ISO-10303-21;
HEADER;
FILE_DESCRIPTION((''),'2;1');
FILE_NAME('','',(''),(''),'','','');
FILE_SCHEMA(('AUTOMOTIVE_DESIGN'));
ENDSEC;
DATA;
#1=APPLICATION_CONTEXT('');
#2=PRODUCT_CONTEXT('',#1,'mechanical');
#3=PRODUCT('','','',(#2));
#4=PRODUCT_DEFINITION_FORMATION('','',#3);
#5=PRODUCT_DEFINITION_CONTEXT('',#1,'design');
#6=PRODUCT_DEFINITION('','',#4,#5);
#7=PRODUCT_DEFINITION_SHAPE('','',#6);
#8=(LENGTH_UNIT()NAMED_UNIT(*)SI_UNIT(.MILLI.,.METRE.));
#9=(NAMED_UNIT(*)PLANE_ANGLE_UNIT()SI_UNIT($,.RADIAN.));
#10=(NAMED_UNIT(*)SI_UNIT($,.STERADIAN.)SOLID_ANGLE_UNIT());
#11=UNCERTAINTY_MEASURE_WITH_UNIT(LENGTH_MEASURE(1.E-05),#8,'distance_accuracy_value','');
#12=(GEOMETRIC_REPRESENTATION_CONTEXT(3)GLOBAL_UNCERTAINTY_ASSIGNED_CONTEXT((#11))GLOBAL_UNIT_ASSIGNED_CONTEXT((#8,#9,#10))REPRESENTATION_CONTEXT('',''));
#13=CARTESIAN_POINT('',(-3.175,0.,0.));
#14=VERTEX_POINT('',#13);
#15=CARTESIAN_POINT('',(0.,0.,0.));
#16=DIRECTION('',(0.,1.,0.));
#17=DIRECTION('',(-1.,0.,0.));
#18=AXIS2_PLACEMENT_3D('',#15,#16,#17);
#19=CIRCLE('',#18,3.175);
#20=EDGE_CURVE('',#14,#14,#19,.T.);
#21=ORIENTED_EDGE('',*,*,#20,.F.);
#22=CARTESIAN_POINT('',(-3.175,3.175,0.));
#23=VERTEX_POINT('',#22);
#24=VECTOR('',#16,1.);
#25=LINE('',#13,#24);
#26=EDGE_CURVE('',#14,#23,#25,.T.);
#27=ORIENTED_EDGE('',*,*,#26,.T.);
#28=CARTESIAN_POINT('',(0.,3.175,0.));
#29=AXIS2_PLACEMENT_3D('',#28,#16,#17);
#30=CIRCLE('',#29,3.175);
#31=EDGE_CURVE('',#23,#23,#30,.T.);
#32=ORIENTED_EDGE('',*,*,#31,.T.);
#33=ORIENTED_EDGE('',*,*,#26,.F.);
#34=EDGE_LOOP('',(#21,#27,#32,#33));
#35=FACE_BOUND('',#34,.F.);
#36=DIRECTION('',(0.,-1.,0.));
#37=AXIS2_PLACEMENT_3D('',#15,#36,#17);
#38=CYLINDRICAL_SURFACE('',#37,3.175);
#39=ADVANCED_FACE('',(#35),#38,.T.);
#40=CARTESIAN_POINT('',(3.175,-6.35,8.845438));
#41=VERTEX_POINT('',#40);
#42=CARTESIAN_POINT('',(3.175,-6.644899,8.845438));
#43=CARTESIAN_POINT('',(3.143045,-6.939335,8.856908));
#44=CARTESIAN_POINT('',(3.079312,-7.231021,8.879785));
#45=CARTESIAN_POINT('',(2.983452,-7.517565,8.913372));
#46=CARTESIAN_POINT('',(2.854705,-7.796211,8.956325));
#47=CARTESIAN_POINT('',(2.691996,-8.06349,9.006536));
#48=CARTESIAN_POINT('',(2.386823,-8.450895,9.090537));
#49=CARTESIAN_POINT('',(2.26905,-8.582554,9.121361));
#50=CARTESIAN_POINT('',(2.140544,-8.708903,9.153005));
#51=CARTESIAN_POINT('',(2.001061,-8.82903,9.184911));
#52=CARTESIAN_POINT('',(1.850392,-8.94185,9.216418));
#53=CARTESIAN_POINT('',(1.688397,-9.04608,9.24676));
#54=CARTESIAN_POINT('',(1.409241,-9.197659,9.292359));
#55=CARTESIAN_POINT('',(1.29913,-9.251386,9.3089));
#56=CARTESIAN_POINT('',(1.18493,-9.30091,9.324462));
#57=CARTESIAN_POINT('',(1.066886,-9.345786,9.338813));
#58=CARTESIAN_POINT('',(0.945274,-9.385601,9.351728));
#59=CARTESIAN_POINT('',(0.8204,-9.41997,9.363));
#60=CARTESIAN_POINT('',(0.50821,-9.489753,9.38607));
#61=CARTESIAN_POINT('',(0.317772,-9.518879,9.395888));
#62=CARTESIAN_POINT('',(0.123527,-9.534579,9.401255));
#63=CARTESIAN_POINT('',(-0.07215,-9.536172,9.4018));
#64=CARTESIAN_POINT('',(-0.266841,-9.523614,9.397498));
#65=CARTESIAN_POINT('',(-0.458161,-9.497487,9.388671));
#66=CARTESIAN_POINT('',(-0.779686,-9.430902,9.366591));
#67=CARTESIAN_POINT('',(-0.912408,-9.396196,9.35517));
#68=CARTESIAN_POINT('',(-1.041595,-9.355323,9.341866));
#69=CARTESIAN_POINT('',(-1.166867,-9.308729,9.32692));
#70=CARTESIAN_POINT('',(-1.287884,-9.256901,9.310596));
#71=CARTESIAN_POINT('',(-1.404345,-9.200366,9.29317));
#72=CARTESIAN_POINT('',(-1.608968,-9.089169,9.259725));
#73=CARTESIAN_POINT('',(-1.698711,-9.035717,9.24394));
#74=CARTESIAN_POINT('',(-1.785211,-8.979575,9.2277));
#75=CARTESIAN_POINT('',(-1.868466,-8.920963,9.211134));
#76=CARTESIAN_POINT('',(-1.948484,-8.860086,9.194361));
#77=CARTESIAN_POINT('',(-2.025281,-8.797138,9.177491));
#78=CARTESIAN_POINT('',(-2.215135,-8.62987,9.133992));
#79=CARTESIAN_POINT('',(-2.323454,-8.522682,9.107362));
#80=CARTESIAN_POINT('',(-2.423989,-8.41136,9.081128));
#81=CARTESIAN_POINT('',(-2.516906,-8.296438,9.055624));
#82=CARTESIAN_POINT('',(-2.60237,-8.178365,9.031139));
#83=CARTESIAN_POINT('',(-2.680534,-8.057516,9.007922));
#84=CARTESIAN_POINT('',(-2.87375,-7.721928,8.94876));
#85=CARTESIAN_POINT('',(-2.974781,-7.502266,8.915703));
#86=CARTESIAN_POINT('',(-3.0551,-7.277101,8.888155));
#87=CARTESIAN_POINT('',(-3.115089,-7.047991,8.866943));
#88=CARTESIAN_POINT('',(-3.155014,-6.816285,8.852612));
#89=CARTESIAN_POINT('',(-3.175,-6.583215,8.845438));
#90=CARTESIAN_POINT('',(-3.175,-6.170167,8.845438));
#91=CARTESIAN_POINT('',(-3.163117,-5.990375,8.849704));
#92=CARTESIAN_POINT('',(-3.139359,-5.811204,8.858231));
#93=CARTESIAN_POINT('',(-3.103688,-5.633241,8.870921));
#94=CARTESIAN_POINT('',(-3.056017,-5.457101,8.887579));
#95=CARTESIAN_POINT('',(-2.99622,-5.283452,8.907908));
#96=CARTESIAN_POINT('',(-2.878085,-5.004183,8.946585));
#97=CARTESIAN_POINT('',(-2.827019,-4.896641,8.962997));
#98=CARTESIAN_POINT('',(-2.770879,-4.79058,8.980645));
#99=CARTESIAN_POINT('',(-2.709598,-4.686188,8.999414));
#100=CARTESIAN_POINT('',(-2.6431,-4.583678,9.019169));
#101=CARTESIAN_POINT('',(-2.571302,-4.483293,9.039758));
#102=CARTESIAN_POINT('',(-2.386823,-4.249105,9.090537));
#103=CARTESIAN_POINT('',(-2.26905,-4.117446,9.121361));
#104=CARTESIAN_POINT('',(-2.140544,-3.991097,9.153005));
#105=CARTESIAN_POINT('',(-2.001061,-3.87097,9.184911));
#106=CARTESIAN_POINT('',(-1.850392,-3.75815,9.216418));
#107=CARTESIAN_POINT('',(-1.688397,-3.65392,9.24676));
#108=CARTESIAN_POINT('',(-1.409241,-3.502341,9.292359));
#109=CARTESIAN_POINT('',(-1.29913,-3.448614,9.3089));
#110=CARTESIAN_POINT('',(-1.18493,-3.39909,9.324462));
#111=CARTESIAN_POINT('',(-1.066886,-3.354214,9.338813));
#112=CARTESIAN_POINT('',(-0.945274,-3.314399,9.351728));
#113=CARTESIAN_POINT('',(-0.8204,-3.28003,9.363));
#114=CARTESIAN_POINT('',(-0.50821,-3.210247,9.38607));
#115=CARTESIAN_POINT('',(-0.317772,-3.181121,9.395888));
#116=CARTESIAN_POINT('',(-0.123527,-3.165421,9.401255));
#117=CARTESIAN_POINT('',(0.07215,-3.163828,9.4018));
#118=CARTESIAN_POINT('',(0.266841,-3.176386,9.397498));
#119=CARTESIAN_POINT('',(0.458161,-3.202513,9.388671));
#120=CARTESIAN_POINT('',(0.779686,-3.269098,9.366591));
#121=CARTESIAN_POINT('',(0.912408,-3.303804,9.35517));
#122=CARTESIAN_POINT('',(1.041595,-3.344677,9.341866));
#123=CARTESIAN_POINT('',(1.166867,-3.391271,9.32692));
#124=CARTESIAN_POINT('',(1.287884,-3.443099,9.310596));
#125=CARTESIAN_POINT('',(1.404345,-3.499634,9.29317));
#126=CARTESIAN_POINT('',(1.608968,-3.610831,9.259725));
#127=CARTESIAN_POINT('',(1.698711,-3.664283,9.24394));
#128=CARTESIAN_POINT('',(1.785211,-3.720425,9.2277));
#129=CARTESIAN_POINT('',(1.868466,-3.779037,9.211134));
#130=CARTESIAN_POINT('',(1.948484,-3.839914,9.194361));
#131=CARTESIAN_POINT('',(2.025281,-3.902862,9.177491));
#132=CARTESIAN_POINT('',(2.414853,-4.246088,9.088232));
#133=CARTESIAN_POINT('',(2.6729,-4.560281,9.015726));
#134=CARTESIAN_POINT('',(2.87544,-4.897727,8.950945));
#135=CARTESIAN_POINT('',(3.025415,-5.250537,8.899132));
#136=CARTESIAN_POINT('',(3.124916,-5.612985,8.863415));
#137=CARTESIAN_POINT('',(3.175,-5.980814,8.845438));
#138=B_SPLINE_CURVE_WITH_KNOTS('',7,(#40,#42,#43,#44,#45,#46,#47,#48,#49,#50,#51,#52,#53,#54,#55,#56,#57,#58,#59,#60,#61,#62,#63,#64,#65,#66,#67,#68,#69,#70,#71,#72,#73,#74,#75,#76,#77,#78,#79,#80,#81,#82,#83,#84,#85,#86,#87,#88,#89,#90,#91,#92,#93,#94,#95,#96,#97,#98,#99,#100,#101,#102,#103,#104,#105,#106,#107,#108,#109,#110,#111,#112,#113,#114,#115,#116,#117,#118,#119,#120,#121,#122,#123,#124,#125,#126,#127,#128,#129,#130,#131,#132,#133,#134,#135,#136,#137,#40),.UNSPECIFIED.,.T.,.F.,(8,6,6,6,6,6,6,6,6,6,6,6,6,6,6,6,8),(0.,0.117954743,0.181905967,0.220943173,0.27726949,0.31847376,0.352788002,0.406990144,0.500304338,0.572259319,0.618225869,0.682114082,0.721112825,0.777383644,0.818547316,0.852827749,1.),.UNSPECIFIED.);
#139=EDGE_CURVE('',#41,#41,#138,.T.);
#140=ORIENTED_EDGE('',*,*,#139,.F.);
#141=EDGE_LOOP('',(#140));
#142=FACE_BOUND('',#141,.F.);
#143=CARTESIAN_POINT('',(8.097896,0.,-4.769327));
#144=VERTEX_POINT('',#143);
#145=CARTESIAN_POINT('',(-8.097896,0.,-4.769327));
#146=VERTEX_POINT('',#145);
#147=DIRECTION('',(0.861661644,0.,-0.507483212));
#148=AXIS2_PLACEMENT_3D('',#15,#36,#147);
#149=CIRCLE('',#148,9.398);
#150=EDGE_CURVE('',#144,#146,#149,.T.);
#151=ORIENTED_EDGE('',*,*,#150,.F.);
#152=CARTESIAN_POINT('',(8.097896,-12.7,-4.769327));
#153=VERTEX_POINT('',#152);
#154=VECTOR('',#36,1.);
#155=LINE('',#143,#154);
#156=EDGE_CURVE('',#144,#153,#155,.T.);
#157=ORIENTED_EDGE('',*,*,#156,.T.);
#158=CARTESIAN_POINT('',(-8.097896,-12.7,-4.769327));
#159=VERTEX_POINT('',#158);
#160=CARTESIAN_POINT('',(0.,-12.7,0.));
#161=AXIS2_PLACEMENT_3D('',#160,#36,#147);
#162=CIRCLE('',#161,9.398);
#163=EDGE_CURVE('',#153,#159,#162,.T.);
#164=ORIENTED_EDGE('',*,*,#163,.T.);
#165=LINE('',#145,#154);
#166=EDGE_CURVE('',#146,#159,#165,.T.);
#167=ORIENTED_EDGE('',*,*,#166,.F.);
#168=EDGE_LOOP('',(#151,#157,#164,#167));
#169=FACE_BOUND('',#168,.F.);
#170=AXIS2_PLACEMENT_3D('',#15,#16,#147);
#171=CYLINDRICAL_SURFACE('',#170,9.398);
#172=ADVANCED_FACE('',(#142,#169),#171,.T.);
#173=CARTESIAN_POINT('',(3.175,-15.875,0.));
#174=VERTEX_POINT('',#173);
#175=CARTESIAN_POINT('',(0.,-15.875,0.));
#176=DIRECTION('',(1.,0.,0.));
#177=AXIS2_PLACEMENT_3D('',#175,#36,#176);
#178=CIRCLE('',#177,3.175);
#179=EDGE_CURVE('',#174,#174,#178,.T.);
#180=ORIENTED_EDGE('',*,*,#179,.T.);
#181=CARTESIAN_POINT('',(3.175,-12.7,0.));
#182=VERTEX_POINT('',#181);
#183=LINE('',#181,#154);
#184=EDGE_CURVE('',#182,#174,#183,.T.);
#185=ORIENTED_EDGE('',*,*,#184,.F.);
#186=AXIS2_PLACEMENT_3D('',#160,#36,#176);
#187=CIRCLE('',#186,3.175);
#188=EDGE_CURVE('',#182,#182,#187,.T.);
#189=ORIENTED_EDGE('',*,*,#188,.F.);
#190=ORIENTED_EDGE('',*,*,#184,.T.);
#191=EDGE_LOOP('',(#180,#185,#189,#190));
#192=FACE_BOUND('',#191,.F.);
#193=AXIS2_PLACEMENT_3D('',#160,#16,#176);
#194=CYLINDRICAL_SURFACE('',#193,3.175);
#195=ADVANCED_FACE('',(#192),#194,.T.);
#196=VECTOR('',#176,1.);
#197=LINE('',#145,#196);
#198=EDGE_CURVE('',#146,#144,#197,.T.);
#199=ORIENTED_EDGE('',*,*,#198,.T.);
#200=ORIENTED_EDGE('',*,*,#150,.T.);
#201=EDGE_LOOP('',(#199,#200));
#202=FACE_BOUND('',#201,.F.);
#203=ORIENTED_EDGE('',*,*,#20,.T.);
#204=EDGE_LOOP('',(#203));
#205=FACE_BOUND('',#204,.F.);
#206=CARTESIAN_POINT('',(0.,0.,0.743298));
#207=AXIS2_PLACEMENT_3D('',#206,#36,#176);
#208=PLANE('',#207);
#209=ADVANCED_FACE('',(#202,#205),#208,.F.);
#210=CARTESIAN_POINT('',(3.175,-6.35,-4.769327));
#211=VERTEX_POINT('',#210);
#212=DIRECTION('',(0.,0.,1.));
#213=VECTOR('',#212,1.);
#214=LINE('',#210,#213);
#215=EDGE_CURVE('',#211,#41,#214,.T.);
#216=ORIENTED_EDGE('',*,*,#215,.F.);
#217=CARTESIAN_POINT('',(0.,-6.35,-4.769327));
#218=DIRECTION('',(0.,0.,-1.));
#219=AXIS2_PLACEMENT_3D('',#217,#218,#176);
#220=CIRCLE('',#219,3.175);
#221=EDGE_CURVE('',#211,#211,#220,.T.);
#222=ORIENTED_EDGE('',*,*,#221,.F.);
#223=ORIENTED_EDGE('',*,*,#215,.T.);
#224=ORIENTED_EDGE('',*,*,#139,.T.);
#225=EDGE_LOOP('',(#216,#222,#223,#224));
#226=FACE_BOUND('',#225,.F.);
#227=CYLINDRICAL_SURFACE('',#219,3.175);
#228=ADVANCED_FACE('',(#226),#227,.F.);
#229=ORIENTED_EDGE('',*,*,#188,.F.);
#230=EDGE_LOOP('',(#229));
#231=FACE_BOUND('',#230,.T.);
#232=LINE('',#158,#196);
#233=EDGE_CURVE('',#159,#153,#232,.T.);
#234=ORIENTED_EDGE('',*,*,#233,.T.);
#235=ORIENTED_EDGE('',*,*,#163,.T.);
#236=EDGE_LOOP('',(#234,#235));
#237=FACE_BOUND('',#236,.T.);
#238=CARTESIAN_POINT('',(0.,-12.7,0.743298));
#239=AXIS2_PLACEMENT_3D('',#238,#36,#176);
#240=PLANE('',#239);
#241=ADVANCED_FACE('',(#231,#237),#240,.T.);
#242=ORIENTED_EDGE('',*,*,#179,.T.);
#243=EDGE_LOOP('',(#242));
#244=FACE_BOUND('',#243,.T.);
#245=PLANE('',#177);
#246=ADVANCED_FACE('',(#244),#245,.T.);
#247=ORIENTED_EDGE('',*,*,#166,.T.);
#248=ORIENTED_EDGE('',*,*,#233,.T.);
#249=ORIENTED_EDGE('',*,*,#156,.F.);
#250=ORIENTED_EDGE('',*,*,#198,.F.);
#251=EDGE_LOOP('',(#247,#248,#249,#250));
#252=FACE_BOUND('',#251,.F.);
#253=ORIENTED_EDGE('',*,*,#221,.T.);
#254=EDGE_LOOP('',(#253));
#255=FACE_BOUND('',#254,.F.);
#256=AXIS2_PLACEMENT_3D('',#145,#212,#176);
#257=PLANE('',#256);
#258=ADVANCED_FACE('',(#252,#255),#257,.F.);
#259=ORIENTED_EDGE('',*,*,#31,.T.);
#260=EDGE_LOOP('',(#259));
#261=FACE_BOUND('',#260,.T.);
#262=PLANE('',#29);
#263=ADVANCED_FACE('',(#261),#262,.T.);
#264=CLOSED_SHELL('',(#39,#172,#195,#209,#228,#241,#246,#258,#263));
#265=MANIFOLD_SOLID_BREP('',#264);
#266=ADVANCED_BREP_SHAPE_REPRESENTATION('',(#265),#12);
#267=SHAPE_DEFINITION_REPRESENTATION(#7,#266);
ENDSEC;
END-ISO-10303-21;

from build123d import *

# Parameters (mm, degrees)
F1_DEPTH      = 12.7
F2_R          = 3.175
F3_DEPTH      = 3.175
F4_R          = 3.175
F5_DEPTH      = 3.175
F6_R          = 3.175
F7_DEPTH      = 25.4
F7_DEPTH_BACK = 25.4


with BuildPart() as f1:
    # F0 (on Front) → F1 (new body)
    with BuildSketch(Plane.XZ):
        with BuildLine():
            Line((-8.097896, -4.769327), (8.097896, -4.769327))
            ThreePointArc((8.097896, -4.769327), (0, 9.398), (-8.097896, -4.769327))
        make_face()
    extrude(amount=F1_DEPTH)

    # F2 (on face) → F3 (join)
    with BuildSketch(Plane.XZ.offset(12.7)):
        Circle(F2_R)
    extrude(amount=F3_DEPTH)

    # F4 (on face) → F5 (join)
    with BuildSketch(Plane(origin=(0, 0, 0), x_dir=(-1, 0, 0), z_dir=(0, 1, 0))):
        Circle(F4_R)
    extrude(amount=F5_DEPTH)

    # F6 (on face) → F7 (cut, two sides)
    with BuildSketch(Plane(origin=(0, 0, -4.769327), x_dir=(1, 0, 0), z_dir=(0, 0, -1))) as f7_sk:
        with Locations((0, 6.35)):
            Circle(F6_R)
    extrude(amount=-F7_DEPTH, mode=Mode.SUBTRACT)
    extrude(f7_sk.sketch, amount=-F7_DEPTH_BACK, mode=Mode.SUBTRACT)


solid = f1.part
